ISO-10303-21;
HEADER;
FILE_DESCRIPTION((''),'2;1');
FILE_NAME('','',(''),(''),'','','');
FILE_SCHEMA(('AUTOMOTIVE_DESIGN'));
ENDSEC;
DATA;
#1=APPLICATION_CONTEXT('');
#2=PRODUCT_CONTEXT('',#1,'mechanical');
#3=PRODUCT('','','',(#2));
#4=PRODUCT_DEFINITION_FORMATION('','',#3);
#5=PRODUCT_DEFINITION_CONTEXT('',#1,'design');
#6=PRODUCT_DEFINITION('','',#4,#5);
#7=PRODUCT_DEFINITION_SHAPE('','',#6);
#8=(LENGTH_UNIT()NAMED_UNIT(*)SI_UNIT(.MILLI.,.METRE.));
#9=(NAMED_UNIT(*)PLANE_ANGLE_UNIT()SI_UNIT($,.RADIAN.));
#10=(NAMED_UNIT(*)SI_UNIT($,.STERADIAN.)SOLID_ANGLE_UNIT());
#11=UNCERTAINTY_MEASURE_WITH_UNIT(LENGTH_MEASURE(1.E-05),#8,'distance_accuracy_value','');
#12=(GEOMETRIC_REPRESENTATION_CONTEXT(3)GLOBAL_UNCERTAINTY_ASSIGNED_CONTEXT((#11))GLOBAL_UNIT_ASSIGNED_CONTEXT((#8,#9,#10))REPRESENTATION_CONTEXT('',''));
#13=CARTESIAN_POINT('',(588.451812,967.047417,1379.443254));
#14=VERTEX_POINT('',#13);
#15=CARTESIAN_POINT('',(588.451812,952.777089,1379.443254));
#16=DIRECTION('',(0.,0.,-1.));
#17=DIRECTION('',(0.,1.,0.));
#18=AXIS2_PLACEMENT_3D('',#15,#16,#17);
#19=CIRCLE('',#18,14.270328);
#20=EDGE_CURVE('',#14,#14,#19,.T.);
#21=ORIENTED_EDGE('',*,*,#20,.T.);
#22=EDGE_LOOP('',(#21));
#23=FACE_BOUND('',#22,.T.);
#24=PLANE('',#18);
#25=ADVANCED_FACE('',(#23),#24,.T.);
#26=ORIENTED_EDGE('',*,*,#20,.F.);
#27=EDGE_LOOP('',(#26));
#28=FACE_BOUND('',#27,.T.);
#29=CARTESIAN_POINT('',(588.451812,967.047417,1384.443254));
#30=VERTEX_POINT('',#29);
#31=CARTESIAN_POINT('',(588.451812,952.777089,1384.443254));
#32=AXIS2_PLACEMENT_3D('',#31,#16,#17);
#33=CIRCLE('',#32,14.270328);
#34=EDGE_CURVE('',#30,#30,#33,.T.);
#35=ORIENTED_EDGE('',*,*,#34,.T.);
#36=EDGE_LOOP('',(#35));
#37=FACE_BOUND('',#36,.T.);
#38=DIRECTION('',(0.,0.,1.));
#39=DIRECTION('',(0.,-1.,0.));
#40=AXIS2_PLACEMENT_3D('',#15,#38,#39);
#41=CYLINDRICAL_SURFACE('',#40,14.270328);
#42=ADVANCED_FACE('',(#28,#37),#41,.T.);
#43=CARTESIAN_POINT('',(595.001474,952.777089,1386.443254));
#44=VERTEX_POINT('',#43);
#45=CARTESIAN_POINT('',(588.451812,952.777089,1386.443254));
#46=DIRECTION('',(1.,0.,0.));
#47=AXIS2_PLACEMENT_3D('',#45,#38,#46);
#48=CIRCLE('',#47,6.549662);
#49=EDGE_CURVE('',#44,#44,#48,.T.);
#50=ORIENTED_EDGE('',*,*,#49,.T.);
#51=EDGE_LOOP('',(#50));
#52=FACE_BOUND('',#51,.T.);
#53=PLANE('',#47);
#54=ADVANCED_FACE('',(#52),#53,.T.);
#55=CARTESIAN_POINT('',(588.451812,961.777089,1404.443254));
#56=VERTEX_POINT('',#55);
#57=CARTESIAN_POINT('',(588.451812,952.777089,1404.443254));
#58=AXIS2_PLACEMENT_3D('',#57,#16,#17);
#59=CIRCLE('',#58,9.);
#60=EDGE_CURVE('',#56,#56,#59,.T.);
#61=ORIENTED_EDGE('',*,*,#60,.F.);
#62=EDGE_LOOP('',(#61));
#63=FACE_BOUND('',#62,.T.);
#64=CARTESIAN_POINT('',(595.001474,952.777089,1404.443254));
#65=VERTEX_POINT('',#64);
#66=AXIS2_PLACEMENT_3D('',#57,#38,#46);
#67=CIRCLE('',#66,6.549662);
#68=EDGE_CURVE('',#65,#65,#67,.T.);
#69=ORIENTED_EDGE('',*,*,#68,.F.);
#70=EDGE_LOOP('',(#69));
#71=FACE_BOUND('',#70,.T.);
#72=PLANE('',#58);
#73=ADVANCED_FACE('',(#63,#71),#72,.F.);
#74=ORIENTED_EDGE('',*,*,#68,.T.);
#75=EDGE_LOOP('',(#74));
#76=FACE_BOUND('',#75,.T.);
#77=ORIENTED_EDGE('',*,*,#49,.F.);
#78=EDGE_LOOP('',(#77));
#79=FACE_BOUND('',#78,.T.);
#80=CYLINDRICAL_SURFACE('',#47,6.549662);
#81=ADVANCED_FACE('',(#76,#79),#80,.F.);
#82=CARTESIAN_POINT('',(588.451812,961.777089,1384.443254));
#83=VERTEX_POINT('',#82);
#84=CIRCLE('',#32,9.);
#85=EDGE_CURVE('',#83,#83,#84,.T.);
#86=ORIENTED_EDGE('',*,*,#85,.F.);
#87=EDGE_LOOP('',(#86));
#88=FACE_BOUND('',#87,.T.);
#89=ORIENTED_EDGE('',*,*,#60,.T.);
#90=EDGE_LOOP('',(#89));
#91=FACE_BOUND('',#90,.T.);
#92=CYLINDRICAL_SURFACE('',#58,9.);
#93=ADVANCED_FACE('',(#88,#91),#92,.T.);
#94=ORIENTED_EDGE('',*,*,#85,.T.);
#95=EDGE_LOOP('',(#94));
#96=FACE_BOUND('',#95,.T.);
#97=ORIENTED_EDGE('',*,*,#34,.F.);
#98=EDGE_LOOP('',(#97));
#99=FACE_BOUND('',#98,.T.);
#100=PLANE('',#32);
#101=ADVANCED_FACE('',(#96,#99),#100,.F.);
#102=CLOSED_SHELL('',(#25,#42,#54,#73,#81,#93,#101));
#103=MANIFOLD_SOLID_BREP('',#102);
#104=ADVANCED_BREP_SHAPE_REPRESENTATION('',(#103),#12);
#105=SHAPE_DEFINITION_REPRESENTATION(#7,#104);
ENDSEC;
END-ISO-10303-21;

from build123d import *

# Parameters (mm, degrees)
SKETCH1_R           = 8.999999998
BOSS_EXTRUDE1_DEPTH = 20
SKETCH2_R           = 14.270327874
BOSS_EXTRUDE2_DEPTH = 5
SKETCH3_R           = 6.549662412
CUT_EXTRUDE1_DEPTH  = 18


with BuildPart() as part:
    # Sketch1 → Boss-Extrude1 (new body)
    with BuildSketch(Plane(origin=(0, 0, 1384.443253532), x_dir=(-1, 0, 0), z_dir=(0, 0, -1))):
        with Locations(Location((-588.451811663, 952.777089149, 0), (0, 0, 90))):
            Circle(SKETCH1_R)
    extrude(amount=-BOSS_EXTRUDE1_DEPTH)

    # Sketch2 → Boss-Extrude2 (add)
    with BuildSketch(Plane(origin=(0, 0, 1384.443253532), x_dir=(-1, 0, 0), z_dir=(0, 0, -1))):
        with Locations(Location((-588.451811663, 952.777089149, 0), (0, 0, 90))):
            Circle(SKETCH2_R)
    extrude(amount=BOSS_EXTRUDE2_DEPTH)

    # Sketch3 → Cut-Extrude1 (cut)
    with BuildSketch(Plane.XY.offset(1404.443253532)):
        with Locations((588.451811663, 952.777089149)):
            Circle(SKETCH3_R)
    extrude(amount=-CUT_EXTRUDE1_DEPTH, mode=Mode.SUBTRACT)


solid = part.part
